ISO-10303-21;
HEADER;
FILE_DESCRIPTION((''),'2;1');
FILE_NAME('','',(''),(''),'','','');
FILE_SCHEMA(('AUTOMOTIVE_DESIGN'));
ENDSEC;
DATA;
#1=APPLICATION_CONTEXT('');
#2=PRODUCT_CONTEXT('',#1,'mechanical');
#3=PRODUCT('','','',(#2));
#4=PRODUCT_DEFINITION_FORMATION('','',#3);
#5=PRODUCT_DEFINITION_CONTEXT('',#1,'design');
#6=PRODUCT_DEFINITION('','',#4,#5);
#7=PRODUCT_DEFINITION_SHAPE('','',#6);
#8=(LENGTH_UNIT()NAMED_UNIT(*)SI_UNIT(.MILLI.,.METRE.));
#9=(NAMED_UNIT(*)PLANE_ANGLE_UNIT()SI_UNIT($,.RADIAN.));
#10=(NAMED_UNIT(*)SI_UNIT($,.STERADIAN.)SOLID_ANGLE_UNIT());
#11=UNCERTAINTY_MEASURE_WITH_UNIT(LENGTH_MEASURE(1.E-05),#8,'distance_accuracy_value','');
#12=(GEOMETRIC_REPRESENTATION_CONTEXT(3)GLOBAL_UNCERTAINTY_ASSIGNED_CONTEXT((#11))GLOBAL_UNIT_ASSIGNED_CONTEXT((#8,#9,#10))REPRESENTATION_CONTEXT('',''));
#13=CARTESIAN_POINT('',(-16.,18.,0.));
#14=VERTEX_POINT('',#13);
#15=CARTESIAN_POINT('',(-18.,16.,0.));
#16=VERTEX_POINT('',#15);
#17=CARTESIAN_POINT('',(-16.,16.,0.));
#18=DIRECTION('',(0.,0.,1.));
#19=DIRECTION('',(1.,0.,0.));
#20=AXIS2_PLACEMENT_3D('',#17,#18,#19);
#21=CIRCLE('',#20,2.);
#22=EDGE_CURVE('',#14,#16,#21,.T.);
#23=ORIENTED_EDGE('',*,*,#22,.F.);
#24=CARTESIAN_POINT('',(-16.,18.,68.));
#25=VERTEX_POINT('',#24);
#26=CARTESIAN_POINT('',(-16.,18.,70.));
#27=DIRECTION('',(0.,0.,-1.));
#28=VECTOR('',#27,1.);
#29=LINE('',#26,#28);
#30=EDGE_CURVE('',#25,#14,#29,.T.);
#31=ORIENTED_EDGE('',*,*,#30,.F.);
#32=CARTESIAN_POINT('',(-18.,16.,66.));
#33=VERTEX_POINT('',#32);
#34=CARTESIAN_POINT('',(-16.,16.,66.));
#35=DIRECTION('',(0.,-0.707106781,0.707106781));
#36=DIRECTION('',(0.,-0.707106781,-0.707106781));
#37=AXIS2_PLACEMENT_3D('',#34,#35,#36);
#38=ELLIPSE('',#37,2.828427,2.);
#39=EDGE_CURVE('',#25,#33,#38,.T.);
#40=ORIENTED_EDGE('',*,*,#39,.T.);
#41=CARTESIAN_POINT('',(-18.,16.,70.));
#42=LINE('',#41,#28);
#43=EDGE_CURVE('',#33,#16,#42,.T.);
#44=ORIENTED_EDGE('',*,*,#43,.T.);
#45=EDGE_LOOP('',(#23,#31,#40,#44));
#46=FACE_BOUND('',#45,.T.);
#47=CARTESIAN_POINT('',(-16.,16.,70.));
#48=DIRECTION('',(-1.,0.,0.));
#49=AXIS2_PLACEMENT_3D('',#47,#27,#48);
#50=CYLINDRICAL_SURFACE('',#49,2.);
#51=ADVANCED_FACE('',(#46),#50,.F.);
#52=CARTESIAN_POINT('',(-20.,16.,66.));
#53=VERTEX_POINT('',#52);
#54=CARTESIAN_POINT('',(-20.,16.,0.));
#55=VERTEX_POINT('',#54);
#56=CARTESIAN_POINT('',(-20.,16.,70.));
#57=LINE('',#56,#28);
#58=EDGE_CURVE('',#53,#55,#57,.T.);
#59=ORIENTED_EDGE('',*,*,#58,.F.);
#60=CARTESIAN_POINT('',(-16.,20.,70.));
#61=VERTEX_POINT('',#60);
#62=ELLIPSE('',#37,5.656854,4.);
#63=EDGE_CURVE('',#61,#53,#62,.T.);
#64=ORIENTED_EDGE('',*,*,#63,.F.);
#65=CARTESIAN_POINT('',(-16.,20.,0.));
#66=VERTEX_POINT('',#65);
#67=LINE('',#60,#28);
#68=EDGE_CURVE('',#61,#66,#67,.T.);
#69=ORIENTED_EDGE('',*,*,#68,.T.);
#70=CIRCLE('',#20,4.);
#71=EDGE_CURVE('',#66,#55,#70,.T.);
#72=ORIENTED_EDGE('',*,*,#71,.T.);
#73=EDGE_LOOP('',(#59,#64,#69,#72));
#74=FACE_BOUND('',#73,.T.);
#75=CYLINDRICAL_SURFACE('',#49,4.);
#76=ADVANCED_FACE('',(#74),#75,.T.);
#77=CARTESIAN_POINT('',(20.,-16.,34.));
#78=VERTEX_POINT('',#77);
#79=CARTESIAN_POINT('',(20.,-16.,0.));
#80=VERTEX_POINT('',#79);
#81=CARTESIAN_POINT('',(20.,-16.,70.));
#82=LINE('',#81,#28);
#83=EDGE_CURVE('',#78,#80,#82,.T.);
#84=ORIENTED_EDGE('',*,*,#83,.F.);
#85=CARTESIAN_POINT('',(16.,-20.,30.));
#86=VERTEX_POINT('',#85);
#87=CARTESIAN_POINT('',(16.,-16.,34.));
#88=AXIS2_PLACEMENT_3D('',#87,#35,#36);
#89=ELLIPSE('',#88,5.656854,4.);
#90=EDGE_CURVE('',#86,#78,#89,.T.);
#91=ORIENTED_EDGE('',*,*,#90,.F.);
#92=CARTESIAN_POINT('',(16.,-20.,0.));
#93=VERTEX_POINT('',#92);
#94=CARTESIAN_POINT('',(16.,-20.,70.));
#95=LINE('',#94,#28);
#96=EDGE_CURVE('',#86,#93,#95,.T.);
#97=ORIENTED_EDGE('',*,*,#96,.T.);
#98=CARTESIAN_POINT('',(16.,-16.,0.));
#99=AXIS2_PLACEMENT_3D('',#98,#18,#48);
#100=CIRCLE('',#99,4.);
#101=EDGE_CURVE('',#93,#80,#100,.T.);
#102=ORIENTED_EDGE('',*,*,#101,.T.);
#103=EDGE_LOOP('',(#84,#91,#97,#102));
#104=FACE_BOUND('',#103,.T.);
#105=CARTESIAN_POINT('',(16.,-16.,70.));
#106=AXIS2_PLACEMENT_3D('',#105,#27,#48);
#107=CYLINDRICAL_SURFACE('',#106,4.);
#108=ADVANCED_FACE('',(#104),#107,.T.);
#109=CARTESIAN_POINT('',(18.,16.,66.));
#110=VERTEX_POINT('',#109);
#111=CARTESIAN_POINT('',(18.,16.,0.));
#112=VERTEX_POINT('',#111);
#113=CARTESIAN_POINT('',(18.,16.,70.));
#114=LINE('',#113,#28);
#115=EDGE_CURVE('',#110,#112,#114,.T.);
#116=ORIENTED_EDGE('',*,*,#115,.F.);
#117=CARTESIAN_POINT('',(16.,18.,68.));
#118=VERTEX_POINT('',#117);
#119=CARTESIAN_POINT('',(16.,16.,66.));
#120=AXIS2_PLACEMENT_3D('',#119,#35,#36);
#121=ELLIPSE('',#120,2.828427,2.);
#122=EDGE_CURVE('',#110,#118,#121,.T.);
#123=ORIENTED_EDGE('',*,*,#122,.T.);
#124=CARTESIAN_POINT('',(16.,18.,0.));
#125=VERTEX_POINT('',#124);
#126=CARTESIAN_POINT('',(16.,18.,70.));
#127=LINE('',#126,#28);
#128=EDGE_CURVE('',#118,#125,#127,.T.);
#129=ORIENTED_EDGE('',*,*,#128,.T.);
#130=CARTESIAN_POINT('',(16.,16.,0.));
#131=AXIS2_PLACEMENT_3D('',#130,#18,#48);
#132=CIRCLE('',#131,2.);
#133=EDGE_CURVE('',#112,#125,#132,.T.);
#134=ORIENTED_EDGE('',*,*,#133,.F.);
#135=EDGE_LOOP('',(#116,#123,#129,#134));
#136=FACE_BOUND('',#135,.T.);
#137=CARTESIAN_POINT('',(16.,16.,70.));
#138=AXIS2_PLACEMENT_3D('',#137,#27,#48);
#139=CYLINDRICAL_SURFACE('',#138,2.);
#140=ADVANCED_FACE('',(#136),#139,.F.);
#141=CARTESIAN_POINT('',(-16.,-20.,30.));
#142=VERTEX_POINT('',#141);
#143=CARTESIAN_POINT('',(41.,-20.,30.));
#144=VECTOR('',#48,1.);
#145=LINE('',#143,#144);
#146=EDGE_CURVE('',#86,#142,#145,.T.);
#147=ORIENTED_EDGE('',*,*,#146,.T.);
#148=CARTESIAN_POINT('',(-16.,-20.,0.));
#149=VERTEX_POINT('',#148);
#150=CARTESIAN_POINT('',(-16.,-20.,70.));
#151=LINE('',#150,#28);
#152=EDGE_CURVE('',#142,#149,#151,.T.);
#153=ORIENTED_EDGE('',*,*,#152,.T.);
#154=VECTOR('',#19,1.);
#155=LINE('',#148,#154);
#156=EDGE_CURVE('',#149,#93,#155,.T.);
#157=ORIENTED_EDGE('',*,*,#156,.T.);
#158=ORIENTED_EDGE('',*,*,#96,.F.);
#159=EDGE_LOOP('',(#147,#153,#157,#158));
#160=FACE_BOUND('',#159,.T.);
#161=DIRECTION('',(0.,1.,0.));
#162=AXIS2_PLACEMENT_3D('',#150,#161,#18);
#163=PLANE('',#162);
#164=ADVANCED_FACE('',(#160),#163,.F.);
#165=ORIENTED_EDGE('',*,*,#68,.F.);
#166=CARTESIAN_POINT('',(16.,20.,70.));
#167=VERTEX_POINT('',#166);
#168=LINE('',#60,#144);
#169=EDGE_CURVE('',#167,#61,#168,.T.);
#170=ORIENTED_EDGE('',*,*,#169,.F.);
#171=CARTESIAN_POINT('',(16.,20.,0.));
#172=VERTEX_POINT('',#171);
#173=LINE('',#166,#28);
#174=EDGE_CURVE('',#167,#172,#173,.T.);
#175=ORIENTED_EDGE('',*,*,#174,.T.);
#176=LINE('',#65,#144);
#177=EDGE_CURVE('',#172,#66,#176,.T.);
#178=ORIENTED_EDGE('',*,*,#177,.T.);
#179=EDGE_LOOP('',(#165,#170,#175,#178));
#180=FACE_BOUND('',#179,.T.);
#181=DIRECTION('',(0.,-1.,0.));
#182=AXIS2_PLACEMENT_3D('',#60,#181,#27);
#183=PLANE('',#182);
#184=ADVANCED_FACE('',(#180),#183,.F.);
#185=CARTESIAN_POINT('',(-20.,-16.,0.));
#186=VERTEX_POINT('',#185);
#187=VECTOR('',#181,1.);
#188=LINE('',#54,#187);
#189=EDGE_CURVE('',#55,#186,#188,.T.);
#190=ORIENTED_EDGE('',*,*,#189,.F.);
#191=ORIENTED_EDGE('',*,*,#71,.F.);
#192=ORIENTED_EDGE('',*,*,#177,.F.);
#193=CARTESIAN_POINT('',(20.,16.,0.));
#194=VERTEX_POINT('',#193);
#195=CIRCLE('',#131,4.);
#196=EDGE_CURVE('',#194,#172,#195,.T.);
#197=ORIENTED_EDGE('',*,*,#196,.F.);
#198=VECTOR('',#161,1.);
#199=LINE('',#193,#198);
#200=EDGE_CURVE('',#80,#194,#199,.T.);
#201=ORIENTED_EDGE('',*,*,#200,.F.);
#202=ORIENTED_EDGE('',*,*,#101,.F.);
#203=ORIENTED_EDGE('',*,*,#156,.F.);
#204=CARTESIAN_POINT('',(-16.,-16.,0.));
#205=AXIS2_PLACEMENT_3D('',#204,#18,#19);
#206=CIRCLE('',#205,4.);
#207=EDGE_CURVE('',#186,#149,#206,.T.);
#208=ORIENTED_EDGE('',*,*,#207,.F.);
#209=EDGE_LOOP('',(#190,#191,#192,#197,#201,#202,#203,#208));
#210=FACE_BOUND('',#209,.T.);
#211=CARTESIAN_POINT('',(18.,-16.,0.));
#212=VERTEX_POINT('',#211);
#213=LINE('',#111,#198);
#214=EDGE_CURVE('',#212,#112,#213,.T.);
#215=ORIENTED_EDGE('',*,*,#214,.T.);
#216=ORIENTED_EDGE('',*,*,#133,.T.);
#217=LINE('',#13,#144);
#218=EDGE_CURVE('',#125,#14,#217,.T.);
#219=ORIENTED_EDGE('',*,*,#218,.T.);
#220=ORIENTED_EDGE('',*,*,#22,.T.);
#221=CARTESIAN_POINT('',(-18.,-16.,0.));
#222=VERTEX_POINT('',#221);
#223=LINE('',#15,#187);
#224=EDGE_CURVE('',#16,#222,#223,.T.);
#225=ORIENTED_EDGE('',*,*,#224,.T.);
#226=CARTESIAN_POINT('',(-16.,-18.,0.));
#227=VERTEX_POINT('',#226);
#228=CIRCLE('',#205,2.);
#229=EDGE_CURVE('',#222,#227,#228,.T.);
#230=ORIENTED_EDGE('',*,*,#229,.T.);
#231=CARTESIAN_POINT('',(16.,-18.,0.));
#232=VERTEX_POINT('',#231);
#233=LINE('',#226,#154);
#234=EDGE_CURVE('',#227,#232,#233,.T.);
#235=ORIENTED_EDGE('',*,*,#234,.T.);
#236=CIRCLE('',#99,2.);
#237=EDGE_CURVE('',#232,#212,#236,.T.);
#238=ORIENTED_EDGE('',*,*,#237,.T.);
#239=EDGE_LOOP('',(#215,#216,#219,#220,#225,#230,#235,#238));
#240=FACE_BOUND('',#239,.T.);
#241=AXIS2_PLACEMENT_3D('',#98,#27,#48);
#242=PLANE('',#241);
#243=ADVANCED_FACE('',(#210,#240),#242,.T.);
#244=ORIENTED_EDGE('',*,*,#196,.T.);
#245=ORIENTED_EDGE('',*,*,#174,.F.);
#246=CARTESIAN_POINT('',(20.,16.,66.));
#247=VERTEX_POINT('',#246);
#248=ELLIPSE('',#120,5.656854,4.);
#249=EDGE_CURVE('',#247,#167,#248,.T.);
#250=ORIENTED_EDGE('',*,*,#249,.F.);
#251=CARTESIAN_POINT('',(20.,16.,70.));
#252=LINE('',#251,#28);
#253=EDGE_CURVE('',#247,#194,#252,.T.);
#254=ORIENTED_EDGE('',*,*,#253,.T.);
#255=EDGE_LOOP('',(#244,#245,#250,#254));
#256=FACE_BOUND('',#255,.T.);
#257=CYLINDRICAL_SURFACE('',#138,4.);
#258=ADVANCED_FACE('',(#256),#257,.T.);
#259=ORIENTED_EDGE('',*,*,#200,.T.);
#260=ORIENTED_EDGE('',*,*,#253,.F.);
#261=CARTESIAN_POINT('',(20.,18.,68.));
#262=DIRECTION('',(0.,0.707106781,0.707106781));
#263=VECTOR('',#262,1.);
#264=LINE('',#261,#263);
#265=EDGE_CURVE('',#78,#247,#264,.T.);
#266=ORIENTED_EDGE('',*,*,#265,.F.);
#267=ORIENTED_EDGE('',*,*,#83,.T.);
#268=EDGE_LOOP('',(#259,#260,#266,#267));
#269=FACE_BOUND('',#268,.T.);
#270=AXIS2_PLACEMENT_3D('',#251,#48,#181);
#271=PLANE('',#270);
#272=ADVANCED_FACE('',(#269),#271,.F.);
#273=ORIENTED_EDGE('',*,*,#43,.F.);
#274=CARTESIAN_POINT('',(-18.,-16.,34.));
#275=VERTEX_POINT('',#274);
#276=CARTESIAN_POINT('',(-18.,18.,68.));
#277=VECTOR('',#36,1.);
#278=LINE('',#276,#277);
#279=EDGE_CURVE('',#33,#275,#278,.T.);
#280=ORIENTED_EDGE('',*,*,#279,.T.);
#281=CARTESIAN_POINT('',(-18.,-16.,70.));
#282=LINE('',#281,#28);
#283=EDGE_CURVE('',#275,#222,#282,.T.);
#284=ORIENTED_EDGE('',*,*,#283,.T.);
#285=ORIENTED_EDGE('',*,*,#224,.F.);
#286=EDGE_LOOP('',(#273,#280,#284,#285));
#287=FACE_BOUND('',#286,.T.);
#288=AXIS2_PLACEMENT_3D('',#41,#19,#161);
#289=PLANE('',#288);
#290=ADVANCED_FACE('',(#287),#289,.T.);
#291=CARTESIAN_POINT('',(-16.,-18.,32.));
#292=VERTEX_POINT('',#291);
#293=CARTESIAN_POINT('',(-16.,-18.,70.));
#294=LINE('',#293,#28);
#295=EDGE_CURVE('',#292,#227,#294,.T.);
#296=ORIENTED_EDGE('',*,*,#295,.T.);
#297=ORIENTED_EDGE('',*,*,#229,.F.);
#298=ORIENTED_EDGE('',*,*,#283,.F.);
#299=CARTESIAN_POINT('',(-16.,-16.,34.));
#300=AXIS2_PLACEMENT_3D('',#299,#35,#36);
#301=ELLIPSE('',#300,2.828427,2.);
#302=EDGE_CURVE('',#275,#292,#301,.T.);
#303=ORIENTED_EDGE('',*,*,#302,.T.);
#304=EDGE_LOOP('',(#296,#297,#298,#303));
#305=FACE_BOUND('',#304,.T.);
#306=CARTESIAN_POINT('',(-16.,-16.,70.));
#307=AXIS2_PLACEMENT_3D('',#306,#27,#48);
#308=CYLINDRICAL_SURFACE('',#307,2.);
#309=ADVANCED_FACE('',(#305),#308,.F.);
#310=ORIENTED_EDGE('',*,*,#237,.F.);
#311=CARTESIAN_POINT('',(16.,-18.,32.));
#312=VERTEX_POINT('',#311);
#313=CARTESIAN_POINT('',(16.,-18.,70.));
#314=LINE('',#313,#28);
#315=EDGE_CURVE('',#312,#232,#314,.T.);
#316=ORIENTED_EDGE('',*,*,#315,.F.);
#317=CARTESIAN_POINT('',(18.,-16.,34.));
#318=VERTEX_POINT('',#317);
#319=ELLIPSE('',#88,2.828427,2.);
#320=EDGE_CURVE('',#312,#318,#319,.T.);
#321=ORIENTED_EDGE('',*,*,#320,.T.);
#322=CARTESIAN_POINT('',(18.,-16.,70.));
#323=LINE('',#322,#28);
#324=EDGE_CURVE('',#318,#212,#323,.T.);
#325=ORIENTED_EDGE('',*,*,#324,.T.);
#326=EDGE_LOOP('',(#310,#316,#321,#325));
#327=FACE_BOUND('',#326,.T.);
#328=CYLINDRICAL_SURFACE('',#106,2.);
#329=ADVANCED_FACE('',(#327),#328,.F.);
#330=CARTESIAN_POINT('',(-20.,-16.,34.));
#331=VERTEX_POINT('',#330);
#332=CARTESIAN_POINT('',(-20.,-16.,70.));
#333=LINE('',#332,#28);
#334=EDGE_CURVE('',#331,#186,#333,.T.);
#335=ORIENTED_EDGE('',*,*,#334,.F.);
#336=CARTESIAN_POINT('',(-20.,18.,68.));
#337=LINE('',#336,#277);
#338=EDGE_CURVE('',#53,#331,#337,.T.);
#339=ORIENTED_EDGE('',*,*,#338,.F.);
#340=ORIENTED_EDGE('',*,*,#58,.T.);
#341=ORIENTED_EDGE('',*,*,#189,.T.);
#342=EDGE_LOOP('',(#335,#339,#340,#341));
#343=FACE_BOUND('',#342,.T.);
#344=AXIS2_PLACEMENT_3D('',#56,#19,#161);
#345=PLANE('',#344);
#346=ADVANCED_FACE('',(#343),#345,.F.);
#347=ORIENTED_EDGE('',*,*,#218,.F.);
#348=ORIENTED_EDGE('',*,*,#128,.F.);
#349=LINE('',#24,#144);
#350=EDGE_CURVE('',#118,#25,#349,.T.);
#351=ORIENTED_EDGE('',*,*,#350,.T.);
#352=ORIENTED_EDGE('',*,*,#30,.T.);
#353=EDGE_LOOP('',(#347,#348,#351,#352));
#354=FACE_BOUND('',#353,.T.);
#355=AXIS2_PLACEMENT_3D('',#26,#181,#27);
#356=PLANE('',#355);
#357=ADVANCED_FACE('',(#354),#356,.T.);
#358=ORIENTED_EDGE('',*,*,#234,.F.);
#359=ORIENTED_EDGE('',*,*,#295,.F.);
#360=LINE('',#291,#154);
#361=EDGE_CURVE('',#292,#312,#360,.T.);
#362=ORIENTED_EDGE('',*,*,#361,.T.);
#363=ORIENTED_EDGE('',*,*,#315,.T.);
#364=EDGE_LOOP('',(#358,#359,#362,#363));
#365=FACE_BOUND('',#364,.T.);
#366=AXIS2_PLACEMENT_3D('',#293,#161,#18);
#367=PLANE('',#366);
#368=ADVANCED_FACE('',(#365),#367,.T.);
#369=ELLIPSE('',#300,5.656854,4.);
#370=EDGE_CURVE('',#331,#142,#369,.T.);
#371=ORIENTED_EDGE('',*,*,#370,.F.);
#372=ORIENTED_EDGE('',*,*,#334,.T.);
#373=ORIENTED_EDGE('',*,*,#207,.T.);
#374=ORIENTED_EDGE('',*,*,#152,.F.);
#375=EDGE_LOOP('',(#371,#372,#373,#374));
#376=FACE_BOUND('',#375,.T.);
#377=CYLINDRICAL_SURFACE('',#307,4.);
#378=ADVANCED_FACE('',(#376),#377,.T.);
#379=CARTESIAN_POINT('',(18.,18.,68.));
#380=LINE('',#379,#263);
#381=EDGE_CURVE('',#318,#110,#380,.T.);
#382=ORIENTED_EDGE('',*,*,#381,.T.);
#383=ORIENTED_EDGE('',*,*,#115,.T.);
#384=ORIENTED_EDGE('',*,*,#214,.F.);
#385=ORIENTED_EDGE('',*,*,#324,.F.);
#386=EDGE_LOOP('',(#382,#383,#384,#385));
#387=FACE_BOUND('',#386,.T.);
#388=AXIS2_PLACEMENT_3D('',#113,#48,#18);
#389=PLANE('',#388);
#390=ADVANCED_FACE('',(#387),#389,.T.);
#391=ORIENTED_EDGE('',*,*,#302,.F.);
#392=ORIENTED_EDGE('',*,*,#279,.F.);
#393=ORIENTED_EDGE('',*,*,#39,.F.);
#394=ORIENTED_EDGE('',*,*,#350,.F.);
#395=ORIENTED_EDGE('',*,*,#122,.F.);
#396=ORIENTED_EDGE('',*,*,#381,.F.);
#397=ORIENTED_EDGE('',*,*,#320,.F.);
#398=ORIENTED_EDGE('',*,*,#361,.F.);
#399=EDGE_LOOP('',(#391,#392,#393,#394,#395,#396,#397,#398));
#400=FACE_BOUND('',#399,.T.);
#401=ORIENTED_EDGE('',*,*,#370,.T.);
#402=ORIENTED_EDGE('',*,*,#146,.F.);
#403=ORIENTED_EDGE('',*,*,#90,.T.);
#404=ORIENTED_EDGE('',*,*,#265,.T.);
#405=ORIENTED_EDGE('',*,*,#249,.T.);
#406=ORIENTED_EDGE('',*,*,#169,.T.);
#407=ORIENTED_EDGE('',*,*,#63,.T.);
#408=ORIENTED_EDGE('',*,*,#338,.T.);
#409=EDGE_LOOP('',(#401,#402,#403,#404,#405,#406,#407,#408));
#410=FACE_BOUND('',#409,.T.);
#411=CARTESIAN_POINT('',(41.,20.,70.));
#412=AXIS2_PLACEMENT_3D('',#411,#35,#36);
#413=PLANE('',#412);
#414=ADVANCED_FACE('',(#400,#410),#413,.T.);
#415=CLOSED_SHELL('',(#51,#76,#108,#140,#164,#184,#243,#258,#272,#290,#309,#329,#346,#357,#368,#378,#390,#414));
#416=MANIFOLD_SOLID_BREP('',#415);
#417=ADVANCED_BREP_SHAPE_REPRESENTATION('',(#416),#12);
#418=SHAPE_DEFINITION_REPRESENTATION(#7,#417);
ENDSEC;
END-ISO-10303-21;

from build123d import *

# Parameters (mm, degrees)
Y_KSEKLIK_EKSTR_ZYON1_DEPTH = 70
KES_EKSTR_ZYON1_DEPTH       = 41
KES_EKSTR_ZYON1_DEPTH_BACK  = 43


with BuildPart() as part:
    # Çizim1 → Yükseklik-Ekstrüzyon1 (new body)
    with BuildSketch(Plane.XY):
        with BuildLine():
            Line((-16, 20), (16, 20))
            ThreePointArc((16, 20), (18.828427125, 18.828427125), (20, 16))
            Line((20, 16), (20, -16))
            ThreePointArc((20, -16), (18.828427125, -18.828427125), (16, -20))
            Line((16, -20), (-16, -20))
            ThreePointArc((-16, -20), (-18.828427125, -18.828427125), (-20, -16))
            Line((-20, -16), (-20, 16))
            ThreePointArc((-20, 16), (-18.828427125, 18.828427125), (-16, 20))
        make_face()
        with BuildLine():
            Line((-18, 16), (-18, -16))
            ThreePointArc((-18, -16), (-17.414213562, -17.414213562), (-16, -18))
            Line((-16, -18), (16, -18))
            ThreePointArc((16, -18), (17.414213562, -17.414213562), (18, -16))
            Line((18, -16), (18, 16))
            ThreePointArc((18, 16), (17.414213562, 17.414213562), (16, 18))
            Line((16, 18), (-16, 18))
            ThreePointArc((-16, 18), (-17.414213562, 17.414213562), (-18, 16))
        make_face(mode=Mode.SUBTRACT)
    extrude(amount=Y_KSEKLIK_EKSTR_ZYON1_DEPTH)

    # Çizim3 → Kes-Ekstrüzyon1 (cut, two sides: drawn at the far end of the back side and taken through both)
    with BuildSketch(Plane(origin=(0, 0, 0), x_dir=(0, 0, -1), z_dir=(1, 0, 0)).offset(-KES_EKSTR_ZYON1_DEPTH_BACK)):
        Polygon((-70, 20), (-30, -20), (-70, -20), align=None)
    extrude(amount=KES_EKSTR_ZYON1_DEPTH + KES_EKSTR_ZYON1_DEPTH_BACK, mode=Mode.SUBTRACT)


solid = part.part
